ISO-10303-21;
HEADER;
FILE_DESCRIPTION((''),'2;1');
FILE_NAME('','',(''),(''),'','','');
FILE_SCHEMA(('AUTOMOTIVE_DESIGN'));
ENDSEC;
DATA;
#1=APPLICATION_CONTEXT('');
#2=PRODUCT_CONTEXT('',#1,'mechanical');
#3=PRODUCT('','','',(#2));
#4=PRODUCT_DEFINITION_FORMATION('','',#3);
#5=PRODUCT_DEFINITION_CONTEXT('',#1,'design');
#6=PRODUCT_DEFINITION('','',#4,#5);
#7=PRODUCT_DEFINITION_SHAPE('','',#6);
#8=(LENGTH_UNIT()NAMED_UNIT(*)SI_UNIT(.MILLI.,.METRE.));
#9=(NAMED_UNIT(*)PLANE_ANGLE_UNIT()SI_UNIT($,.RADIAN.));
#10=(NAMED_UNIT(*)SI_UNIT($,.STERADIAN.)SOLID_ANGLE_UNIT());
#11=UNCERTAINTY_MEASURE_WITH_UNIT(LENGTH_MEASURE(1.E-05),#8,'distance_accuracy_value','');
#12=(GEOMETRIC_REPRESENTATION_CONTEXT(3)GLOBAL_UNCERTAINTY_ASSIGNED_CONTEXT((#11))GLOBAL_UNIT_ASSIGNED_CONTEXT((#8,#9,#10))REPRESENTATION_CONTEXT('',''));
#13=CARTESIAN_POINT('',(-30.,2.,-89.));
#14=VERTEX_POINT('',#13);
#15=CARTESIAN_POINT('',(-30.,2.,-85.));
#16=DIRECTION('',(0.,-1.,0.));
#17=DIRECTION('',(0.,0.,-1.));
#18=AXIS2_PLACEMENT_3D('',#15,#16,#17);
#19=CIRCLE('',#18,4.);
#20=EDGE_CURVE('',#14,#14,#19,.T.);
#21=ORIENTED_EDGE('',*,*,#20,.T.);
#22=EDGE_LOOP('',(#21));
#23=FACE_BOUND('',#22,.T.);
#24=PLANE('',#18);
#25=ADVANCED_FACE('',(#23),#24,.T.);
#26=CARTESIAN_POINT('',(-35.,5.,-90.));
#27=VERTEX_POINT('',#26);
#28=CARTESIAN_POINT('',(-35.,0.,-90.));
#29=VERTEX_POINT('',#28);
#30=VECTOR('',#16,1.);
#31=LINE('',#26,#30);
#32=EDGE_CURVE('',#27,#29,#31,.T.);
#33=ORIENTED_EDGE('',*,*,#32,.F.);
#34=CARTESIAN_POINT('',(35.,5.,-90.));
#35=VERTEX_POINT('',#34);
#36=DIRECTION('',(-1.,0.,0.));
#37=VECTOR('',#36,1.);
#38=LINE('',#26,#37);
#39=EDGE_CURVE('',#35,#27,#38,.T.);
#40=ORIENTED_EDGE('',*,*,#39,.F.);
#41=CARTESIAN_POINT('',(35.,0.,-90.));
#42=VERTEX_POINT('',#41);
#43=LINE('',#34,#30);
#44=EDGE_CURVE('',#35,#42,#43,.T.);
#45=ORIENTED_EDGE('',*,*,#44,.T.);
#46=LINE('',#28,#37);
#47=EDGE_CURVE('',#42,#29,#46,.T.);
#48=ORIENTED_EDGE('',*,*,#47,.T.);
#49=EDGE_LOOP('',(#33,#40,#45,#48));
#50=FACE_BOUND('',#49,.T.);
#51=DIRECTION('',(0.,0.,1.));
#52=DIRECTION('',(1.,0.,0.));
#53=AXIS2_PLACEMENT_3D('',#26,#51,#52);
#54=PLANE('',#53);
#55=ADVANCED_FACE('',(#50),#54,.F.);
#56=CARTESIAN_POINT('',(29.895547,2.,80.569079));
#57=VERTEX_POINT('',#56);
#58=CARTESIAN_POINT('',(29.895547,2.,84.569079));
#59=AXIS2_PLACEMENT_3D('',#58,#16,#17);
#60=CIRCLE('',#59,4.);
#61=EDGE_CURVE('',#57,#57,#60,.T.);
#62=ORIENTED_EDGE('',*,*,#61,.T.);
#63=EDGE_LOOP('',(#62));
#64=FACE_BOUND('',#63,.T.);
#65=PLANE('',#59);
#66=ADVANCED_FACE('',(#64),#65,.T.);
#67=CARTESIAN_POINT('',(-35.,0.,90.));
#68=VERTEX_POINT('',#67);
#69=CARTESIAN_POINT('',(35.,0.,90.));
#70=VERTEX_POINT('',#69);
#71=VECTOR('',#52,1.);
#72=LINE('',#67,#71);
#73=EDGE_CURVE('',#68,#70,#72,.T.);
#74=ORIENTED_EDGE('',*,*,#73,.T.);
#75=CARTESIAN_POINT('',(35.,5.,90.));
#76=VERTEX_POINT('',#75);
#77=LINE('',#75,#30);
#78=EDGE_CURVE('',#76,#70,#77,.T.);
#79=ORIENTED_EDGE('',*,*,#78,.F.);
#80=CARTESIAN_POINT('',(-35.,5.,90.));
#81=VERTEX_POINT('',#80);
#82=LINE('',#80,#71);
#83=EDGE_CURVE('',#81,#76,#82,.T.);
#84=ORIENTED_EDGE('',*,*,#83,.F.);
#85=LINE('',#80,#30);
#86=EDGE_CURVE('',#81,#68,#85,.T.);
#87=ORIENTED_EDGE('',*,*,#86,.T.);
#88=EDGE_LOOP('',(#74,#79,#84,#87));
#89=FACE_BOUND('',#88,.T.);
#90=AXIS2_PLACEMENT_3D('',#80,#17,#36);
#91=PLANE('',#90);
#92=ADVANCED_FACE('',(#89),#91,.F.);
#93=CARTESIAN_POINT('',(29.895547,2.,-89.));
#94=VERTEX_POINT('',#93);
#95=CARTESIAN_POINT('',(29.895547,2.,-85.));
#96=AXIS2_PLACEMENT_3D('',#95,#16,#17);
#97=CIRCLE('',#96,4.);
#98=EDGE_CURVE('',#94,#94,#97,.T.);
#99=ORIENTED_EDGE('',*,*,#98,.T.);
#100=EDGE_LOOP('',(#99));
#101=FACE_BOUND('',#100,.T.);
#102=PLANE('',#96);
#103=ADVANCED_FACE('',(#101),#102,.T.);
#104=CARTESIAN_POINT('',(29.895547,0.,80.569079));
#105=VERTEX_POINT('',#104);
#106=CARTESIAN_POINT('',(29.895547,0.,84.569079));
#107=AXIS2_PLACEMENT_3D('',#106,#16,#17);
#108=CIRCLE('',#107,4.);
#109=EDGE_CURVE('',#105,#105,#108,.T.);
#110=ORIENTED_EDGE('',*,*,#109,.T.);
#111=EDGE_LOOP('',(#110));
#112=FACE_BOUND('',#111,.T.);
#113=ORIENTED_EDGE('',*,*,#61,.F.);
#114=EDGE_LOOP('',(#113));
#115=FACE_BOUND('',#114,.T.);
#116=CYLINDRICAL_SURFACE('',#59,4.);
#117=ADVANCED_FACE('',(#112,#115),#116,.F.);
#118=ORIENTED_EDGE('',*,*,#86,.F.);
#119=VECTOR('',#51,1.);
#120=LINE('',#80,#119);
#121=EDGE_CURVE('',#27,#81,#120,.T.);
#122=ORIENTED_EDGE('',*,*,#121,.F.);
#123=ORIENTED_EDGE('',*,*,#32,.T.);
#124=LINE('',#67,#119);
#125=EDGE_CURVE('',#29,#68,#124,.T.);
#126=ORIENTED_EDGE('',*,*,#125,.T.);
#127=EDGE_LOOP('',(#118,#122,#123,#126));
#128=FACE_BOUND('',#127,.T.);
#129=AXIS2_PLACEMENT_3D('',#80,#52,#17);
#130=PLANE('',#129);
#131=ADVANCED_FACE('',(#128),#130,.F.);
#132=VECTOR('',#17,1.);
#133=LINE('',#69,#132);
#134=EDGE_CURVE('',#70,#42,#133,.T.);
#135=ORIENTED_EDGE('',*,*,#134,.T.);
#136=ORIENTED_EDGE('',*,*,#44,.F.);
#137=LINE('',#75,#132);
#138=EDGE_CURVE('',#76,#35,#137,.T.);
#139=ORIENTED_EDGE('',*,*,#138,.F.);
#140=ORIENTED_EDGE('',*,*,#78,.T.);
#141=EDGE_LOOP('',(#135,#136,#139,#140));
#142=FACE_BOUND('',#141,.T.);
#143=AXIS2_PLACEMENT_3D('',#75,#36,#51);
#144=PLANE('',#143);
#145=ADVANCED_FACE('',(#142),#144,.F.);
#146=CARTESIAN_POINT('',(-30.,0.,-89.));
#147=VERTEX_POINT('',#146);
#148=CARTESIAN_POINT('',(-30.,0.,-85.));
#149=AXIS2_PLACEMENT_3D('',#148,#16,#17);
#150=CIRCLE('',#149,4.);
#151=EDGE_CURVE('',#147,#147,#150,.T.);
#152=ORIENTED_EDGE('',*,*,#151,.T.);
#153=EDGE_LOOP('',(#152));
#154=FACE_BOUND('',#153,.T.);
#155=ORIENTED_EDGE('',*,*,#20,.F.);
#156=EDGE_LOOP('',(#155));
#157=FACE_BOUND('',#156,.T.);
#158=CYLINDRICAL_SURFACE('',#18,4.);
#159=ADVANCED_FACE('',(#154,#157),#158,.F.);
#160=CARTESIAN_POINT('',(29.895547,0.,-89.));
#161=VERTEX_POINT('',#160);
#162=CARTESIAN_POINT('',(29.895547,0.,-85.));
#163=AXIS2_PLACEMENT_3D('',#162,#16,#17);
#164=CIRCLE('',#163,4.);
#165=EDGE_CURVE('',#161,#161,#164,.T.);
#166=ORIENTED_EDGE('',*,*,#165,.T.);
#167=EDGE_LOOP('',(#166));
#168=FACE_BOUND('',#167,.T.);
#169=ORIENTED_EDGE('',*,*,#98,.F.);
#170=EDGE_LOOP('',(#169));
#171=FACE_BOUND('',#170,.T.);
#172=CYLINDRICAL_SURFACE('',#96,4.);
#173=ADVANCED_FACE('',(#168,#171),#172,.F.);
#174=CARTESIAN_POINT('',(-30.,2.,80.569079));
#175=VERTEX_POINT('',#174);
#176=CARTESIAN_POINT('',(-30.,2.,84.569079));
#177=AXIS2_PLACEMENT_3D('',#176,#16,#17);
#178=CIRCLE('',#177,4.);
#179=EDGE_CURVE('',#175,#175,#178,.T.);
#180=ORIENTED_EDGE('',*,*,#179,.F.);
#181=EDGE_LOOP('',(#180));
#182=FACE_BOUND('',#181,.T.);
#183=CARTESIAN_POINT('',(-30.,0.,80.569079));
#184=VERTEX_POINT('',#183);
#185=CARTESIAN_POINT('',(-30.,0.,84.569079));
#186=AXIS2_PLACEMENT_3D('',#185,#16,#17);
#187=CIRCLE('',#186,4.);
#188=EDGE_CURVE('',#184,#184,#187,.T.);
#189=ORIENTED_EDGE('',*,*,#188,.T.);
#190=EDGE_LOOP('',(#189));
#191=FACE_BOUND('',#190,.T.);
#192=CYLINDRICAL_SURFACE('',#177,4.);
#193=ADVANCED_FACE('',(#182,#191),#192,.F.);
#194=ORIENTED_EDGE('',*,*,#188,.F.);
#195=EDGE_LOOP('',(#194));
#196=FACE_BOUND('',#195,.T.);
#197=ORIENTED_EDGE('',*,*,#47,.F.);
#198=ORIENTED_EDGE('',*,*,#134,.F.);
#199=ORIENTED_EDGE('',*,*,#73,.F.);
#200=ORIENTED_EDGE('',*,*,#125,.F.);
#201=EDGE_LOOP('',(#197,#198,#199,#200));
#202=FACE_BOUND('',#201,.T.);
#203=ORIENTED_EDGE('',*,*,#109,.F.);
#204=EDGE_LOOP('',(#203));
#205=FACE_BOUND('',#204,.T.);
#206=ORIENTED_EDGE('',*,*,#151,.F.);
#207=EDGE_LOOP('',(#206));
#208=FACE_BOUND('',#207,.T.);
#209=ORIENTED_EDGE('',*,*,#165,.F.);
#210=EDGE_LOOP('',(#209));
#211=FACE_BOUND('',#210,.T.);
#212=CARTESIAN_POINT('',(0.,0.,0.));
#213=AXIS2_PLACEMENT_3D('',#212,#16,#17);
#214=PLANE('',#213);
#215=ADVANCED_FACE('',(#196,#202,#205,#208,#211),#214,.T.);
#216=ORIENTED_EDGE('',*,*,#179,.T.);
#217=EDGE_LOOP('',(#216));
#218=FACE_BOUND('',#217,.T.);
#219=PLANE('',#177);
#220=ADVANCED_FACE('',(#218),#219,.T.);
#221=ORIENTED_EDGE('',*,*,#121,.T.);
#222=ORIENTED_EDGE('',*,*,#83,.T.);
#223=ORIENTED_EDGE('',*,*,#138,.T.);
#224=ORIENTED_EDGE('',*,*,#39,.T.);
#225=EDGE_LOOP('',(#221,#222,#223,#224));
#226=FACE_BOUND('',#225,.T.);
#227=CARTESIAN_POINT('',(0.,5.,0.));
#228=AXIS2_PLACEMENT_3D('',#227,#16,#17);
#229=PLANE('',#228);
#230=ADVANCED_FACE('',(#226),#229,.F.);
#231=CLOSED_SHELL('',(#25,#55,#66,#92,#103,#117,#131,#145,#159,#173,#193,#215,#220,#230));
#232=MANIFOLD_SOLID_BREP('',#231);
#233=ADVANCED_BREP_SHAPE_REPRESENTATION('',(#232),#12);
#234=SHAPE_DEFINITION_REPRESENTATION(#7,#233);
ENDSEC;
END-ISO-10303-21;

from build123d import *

# Parameters (mm, degrees)
SKETCH1_W           = 70
SKETCH1_H           = 180
BOSS_EXTRUDE1_DEPTH = 5
SKETCH2_R           = 4
CUT_EXTRUDE1_DEPTH  = 2


with BuildPart() as part:
    # Sketch1 → Boss-Extrude1 (new body)
    with BuildSketch(Plane(origin=(0, 0, 0), x_dir=(1, 0, 0), z_dir=(0, 1, 0))):
        Rectangle(SKETCH1_W, SKETCH1_H)
    extrude(amount=BOSS_EXTRUDE1_DEPTH)

    # Sketch2 → Cut-Extrude1 (cut)
    with BuildSketch(Plane.XZ):
        with Locations(Location((-30, 84.56907943, 0), (0, 0, 270))):
            Circle(SKETCH2_R)
        with Locations(Location((29.895547188, 84.56907943, 0), (0, 0, 270))):
            Circle(SKETCH2_R)
        with Locations(Location((-30, -85, 0), (0, 0, 270))):
            Circle(SKETCH2_R)
        with Locations(Location((29.895547188, -85, 0), (0, 0, 270))):
            Circle(SKETCH2_R)
    extrude(amount=-CUT_EXTRUDE1_DEPTH, mode=Mode.SUBTRACT)


solid = part.part
